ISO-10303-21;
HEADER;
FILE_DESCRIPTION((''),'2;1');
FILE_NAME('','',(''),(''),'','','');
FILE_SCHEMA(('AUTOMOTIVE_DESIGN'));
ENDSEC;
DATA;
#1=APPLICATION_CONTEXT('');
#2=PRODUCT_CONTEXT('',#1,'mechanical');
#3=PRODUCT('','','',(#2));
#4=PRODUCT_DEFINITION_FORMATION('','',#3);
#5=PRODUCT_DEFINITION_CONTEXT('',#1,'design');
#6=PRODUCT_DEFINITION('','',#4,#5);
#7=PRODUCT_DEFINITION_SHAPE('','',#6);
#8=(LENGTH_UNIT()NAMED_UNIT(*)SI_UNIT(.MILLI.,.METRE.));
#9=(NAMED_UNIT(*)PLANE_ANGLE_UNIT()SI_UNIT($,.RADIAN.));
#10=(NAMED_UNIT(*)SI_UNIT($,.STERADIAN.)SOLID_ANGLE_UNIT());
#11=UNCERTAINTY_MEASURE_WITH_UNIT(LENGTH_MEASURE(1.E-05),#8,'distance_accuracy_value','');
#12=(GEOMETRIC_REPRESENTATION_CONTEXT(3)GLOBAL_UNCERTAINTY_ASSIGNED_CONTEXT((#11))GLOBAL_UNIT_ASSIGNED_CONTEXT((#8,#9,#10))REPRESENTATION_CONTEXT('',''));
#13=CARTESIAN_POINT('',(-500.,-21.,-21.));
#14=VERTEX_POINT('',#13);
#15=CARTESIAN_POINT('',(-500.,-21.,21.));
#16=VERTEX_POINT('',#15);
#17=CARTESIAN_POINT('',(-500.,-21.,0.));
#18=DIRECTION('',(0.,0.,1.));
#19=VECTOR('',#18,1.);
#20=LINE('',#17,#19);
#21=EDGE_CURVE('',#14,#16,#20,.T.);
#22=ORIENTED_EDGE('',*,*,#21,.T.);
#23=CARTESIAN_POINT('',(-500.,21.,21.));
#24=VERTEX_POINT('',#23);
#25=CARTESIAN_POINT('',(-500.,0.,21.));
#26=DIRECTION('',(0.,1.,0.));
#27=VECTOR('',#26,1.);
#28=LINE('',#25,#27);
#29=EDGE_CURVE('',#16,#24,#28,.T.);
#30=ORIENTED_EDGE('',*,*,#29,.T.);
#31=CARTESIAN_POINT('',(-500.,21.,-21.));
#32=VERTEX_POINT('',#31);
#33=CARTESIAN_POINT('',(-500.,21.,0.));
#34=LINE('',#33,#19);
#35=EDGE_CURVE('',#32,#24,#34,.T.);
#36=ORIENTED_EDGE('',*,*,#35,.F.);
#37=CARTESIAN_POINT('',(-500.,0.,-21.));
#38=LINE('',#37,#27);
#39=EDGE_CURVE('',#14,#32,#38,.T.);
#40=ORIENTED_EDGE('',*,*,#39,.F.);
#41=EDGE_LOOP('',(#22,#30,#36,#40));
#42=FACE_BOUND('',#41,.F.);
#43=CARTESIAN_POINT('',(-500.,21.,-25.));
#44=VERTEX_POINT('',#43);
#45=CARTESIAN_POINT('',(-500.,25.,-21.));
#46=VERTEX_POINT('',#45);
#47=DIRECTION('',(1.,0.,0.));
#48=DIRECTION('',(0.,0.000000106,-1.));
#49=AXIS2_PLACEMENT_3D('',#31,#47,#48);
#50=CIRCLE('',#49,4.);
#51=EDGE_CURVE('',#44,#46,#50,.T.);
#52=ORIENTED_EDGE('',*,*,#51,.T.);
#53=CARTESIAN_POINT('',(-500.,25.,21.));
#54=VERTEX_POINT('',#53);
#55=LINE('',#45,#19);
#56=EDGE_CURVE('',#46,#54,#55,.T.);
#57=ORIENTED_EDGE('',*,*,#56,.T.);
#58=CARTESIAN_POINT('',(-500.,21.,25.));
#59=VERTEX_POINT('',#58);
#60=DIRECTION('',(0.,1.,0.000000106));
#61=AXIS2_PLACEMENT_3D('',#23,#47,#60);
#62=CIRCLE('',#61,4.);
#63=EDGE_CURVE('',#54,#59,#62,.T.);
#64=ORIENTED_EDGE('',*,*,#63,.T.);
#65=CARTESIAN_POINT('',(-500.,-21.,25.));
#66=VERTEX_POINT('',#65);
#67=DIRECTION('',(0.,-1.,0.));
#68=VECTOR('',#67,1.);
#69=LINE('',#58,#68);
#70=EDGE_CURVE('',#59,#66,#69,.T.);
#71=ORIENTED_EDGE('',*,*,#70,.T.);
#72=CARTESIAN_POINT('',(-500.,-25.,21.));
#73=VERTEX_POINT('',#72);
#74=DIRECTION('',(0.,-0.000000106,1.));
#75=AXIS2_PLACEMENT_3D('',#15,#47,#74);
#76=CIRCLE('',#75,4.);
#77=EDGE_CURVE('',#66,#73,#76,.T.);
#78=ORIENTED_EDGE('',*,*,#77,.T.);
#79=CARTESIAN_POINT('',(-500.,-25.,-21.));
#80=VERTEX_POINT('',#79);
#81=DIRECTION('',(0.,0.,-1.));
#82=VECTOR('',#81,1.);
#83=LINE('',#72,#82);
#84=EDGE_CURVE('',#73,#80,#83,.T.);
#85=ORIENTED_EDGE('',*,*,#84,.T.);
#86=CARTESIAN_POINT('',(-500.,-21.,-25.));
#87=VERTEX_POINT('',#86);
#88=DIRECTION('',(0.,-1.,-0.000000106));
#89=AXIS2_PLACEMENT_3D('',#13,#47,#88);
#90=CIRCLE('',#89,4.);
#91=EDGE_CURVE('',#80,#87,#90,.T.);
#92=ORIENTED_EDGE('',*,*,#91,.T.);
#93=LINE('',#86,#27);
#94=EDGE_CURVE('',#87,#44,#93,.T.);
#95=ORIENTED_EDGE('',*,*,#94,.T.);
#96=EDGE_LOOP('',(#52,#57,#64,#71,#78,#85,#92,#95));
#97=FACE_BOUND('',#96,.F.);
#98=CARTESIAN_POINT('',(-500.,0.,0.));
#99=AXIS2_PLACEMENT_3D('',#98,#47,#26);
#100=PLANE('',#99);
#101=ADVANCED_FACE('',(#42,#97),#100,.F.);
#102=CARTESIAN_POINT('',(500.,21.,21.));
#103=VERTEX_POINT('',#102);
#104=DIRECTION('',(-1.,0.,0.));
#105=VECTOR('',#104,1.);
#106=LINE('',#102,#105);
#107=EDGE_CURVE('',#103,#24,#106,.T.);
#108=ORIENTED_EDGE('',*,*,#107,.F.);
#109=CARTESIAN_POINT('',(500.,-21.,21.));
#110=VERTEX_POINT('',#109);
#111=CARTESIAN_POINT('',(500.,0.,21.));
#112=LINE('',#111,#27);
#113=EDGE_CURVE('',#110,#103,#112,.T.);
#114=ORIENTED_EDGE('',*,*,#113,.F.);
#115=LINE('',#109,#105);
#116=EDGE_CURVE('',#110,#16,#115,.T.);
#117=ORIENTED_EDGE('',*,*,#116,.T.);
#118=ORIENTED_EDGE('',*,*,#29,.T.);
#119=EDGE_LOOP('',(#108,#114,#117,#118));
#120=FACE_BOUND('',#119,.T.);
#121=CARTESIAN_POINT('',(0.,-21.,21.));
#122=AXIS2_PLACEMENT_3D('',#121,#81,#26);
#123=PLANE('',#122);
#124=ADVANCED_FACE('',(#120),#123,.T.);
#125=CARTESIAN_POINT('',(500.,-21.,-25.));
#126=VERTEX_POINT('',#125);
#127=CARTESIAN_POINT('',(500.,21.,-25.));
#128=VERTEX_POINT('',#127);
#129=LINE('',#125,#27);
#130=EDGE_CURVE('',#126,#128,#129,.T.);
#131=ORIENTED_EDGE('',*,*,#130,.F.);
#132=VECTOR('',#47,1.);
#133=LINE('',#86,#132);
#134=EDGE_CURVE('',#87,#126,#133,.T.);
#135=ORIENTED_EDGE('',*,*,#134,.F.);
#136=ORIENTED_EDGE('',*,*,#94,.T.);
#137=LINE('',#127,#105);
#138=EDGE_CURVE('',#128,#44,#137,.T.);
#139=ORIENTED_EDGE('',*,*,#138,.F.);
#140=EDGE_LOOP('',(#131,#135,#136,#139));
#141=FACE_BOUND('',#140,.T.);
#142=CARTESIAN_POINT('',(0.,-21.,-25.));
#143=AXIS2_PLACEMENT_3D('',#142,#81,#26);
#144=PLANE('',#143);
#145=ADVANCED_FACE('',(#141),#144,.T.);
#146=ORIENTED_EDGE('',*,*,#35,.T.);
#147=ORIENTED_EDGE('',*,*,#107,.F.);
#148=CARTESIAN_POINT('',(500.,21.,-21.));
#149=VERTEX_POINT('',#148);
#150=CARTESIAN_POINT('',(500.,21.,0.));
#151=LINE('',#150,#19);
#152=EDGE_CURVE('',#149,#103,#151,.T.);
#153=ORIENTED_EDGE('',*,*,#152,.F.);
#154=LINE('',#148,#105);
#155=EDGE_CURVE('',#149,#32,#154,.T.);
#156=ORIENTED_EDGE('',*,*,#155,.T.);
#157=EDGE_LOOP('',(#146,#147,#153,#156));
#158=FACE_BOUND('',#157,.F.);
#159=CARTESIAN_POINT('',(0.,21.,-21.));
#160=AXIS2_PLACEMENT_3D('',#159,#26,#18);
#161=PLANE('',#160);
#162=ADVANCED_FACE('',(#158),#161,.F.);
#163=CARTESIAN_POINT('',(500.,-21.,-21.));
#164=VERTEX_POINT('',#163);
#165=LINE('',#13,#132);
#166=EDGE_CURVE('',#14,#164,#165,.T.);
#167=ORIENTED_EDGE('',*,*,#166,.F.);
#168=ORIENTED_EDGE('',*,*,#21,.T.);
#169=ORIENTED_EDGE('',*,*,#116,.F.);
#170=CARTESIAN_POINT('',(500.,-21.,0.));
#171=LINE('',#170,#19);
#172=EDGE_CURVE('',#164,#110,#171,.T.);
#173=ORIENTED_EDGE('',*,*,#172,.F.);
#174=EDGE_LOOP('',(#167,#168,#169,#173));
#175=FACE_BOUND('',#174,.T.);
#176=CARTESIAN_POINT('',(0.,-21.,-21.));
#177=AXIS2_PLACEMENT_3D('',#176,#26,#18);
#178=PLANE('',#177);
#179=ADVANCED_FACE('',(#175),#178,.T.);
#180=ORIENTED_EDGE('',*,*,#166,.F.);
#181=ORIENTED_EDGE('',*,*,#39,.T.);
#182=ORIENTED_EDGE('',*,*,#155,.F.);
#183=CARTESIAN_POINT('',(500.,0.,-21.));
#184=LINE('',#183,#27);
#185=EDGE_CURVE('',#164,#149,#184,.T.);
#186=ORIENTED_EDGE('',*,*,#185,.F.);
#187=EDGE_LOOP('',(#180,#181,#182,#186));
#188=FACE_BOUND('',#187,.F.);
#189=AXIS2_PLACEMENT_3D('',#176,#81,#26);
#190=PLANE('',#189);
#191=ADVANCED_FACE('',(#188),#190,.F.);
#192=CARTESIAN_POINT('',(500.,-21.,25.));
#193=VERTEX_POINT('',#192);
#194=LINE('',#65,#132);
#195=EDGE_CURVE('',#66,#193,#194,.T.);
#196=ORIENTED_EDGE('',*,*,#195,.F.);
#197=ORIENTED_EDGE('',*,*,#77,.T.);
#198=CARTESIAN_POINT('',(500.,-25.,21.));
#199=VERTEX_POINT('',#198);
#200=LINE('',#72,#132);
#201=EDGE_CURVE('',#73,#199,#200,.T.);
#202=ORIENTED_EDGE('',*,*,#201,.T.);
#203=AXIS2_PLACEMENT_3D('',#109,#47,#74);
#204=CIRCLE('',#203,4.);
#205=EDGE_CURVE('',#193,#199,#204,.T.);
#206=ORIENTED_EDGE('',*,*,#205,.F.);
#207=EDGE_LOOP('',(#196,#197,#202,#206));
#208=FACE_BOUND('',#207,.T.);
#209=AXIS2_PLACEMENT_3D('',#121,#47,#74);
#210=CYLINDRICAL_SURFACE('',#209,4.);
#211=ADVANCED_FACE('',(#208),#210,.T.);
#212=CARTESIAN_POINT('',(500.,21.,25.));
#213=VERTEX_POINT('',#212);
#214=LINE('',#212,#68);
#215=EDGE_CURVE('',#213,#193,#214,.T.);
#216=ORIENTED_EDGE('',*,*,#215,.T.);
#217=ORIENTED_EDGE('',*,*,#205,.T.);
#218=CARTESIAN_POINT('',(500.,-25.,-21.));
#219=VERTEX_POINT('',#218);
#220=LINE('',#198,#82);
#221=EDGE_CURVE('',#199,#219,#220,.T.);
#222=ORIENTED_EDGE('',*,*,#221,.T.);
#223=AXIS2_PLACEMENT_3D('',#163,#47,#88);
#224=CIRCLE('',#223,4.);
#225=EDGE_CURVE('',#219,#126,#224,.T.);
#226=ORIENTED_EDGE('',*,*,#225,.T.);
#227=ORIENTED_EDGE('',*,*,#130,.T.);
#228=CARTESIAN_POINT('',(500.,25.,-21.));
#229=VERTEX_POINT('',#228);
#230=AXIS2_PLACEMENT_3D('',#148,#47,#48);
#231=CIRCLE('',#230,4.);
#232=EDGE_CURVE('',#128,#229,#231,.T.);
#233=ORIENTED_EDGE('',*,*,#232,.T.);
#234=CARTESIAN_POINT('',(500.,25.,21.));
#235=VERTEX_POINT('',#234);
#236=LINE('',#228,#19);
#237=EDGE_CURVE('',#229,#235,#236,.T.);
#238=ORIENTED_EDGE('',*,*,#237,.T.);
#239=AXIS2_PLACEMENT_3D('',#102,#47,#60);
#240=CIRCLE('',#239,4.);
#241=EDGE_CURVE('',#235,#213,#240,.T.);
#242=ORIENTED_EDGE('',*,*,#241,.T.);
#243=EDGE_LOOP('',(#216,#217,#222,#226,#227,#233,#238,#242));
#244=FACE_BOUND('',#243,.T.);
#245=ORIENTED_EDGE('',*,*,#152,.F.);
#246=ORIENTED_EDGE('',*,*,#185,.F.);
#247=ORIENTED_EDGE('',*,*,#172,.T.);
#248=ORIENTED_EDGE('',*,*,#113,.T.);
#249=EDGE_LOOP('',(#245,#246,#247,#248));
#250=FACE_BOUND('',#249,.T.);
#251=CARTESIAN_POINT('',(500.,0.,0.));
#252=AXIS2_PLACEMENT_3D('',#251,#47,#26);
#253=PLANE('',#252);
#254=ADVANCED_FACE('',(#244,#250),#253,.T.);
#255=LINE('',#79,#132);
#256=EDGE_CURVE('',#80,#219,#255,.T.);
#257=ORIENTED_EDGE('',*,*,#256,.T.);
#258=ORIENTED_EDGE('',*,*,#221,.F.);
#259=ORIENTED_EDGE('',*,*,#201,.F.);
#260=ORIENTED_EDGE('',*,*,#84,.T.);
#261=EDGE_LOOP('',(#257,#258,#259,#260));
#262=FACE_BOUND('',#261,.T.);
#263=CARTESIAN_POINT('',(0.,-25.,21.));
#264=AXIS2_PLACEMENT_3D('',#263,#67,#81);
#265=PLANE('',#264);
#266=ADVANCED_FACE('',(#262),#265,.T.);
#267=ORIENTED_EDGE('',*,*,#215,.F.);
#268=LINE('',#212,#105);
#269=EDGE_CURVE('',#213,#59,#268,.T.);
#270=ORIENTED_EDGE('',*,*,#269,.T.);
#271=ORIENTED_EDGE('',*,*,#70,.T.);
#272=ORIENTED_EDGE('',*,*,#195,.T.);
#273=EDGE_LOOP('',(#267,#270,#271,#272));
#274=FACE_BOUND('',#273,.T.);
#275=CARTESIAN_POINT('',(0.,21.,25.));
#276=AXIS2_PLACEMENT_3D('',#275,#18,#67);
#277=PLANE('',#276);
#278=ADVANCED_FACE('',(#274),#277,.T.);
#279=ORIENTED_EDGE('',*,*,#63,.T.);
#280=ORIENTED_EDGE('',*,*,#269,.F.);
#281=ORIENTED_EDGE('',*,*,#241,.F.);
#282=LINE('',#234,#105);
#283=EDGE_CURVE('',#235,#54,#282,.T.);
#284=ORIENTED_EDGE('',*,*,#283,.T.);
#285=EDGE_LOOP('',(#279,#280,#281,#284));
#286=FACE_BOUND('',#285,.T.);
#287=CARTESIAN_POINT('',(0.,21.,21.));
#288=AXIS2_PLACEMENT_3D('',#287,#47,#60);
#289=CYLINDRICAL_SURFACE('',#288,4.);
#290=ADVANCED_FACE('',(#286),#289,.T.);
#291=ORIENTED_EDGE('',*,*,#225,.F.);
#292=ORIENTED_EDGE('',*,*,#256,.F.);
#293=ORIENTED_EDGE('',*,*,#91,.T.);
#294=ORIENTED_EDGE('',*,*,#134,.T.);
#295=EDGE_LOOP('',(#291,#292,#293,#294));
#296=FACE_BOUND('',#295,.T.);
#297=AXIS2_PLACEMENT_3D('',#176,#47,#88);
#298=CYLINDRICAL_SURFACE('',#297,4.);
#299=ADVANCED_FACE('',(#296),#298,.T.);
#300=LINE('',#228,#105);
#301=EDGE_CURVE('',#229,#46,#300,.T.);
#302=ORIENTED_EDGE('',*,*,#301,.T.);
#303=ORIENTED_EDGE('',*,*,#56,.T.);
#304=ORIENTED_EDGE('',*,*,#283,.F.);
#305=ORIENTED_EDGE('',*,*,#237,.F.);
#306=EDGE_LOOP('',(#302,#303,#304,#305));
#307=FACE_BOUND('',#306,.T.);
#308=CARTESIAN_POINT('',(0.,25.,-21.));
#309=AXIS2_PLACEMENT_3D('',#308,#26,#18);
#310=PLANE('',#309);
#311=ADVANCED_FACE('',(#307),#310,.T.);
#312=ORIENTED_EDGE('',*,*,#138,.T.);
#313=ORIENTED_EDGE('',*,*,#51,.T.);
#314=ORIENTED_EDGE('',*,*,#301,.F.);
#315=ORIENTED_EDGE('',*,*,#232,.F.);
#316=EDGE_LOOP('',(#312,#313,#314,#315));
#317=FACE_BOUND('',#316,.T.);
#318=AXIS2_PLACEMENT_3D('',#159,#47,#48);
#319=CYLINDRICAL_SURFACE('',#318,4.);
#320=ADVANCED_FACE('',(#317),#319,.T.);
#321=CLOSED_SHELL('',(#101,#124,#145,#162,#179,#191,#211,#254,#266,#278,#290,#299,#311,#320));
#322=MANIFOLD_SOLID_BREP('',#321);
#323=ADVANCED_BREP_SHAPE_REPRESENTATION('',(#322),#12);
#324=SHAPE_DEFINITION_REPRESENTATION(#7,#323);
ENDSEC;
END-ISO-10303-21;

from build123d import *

# Parameters (mm, degrees)
F0_W     = 42
F0_H     = 42
F1_DEPTH = 500


with BuildPart() as f1:
    # F0 (on Right) → F1 (new body, symmetric)
    with BuildSketch(Plane.YZ):
        with BuildLine():
            Line((21, 25), (-21, 25))
            ThreePointArc((-21, 25), (-23.828427, 23.828427), (-25, 21))
            Line((-25, 21), (-25, -21))
            ThreePointArc((-25, -21), (-23.828427, -23.828427), (-21, -25))
            Line((-21, -25), (21, -25))
            ThreePointArc((21, -25), (23.828427, -23.828427), (25, -21))
            Line((25, -21), (25, 21))
            ThreePointArc((25, 21), (23.828427, 23.828427), (21, 25))
        make_face()
        Rectangle(F0_W, F0_H, mode=Mode.SUBTRACT)
    extrude(amount=F1_DEPTH, both=True)


solid = f1.part
